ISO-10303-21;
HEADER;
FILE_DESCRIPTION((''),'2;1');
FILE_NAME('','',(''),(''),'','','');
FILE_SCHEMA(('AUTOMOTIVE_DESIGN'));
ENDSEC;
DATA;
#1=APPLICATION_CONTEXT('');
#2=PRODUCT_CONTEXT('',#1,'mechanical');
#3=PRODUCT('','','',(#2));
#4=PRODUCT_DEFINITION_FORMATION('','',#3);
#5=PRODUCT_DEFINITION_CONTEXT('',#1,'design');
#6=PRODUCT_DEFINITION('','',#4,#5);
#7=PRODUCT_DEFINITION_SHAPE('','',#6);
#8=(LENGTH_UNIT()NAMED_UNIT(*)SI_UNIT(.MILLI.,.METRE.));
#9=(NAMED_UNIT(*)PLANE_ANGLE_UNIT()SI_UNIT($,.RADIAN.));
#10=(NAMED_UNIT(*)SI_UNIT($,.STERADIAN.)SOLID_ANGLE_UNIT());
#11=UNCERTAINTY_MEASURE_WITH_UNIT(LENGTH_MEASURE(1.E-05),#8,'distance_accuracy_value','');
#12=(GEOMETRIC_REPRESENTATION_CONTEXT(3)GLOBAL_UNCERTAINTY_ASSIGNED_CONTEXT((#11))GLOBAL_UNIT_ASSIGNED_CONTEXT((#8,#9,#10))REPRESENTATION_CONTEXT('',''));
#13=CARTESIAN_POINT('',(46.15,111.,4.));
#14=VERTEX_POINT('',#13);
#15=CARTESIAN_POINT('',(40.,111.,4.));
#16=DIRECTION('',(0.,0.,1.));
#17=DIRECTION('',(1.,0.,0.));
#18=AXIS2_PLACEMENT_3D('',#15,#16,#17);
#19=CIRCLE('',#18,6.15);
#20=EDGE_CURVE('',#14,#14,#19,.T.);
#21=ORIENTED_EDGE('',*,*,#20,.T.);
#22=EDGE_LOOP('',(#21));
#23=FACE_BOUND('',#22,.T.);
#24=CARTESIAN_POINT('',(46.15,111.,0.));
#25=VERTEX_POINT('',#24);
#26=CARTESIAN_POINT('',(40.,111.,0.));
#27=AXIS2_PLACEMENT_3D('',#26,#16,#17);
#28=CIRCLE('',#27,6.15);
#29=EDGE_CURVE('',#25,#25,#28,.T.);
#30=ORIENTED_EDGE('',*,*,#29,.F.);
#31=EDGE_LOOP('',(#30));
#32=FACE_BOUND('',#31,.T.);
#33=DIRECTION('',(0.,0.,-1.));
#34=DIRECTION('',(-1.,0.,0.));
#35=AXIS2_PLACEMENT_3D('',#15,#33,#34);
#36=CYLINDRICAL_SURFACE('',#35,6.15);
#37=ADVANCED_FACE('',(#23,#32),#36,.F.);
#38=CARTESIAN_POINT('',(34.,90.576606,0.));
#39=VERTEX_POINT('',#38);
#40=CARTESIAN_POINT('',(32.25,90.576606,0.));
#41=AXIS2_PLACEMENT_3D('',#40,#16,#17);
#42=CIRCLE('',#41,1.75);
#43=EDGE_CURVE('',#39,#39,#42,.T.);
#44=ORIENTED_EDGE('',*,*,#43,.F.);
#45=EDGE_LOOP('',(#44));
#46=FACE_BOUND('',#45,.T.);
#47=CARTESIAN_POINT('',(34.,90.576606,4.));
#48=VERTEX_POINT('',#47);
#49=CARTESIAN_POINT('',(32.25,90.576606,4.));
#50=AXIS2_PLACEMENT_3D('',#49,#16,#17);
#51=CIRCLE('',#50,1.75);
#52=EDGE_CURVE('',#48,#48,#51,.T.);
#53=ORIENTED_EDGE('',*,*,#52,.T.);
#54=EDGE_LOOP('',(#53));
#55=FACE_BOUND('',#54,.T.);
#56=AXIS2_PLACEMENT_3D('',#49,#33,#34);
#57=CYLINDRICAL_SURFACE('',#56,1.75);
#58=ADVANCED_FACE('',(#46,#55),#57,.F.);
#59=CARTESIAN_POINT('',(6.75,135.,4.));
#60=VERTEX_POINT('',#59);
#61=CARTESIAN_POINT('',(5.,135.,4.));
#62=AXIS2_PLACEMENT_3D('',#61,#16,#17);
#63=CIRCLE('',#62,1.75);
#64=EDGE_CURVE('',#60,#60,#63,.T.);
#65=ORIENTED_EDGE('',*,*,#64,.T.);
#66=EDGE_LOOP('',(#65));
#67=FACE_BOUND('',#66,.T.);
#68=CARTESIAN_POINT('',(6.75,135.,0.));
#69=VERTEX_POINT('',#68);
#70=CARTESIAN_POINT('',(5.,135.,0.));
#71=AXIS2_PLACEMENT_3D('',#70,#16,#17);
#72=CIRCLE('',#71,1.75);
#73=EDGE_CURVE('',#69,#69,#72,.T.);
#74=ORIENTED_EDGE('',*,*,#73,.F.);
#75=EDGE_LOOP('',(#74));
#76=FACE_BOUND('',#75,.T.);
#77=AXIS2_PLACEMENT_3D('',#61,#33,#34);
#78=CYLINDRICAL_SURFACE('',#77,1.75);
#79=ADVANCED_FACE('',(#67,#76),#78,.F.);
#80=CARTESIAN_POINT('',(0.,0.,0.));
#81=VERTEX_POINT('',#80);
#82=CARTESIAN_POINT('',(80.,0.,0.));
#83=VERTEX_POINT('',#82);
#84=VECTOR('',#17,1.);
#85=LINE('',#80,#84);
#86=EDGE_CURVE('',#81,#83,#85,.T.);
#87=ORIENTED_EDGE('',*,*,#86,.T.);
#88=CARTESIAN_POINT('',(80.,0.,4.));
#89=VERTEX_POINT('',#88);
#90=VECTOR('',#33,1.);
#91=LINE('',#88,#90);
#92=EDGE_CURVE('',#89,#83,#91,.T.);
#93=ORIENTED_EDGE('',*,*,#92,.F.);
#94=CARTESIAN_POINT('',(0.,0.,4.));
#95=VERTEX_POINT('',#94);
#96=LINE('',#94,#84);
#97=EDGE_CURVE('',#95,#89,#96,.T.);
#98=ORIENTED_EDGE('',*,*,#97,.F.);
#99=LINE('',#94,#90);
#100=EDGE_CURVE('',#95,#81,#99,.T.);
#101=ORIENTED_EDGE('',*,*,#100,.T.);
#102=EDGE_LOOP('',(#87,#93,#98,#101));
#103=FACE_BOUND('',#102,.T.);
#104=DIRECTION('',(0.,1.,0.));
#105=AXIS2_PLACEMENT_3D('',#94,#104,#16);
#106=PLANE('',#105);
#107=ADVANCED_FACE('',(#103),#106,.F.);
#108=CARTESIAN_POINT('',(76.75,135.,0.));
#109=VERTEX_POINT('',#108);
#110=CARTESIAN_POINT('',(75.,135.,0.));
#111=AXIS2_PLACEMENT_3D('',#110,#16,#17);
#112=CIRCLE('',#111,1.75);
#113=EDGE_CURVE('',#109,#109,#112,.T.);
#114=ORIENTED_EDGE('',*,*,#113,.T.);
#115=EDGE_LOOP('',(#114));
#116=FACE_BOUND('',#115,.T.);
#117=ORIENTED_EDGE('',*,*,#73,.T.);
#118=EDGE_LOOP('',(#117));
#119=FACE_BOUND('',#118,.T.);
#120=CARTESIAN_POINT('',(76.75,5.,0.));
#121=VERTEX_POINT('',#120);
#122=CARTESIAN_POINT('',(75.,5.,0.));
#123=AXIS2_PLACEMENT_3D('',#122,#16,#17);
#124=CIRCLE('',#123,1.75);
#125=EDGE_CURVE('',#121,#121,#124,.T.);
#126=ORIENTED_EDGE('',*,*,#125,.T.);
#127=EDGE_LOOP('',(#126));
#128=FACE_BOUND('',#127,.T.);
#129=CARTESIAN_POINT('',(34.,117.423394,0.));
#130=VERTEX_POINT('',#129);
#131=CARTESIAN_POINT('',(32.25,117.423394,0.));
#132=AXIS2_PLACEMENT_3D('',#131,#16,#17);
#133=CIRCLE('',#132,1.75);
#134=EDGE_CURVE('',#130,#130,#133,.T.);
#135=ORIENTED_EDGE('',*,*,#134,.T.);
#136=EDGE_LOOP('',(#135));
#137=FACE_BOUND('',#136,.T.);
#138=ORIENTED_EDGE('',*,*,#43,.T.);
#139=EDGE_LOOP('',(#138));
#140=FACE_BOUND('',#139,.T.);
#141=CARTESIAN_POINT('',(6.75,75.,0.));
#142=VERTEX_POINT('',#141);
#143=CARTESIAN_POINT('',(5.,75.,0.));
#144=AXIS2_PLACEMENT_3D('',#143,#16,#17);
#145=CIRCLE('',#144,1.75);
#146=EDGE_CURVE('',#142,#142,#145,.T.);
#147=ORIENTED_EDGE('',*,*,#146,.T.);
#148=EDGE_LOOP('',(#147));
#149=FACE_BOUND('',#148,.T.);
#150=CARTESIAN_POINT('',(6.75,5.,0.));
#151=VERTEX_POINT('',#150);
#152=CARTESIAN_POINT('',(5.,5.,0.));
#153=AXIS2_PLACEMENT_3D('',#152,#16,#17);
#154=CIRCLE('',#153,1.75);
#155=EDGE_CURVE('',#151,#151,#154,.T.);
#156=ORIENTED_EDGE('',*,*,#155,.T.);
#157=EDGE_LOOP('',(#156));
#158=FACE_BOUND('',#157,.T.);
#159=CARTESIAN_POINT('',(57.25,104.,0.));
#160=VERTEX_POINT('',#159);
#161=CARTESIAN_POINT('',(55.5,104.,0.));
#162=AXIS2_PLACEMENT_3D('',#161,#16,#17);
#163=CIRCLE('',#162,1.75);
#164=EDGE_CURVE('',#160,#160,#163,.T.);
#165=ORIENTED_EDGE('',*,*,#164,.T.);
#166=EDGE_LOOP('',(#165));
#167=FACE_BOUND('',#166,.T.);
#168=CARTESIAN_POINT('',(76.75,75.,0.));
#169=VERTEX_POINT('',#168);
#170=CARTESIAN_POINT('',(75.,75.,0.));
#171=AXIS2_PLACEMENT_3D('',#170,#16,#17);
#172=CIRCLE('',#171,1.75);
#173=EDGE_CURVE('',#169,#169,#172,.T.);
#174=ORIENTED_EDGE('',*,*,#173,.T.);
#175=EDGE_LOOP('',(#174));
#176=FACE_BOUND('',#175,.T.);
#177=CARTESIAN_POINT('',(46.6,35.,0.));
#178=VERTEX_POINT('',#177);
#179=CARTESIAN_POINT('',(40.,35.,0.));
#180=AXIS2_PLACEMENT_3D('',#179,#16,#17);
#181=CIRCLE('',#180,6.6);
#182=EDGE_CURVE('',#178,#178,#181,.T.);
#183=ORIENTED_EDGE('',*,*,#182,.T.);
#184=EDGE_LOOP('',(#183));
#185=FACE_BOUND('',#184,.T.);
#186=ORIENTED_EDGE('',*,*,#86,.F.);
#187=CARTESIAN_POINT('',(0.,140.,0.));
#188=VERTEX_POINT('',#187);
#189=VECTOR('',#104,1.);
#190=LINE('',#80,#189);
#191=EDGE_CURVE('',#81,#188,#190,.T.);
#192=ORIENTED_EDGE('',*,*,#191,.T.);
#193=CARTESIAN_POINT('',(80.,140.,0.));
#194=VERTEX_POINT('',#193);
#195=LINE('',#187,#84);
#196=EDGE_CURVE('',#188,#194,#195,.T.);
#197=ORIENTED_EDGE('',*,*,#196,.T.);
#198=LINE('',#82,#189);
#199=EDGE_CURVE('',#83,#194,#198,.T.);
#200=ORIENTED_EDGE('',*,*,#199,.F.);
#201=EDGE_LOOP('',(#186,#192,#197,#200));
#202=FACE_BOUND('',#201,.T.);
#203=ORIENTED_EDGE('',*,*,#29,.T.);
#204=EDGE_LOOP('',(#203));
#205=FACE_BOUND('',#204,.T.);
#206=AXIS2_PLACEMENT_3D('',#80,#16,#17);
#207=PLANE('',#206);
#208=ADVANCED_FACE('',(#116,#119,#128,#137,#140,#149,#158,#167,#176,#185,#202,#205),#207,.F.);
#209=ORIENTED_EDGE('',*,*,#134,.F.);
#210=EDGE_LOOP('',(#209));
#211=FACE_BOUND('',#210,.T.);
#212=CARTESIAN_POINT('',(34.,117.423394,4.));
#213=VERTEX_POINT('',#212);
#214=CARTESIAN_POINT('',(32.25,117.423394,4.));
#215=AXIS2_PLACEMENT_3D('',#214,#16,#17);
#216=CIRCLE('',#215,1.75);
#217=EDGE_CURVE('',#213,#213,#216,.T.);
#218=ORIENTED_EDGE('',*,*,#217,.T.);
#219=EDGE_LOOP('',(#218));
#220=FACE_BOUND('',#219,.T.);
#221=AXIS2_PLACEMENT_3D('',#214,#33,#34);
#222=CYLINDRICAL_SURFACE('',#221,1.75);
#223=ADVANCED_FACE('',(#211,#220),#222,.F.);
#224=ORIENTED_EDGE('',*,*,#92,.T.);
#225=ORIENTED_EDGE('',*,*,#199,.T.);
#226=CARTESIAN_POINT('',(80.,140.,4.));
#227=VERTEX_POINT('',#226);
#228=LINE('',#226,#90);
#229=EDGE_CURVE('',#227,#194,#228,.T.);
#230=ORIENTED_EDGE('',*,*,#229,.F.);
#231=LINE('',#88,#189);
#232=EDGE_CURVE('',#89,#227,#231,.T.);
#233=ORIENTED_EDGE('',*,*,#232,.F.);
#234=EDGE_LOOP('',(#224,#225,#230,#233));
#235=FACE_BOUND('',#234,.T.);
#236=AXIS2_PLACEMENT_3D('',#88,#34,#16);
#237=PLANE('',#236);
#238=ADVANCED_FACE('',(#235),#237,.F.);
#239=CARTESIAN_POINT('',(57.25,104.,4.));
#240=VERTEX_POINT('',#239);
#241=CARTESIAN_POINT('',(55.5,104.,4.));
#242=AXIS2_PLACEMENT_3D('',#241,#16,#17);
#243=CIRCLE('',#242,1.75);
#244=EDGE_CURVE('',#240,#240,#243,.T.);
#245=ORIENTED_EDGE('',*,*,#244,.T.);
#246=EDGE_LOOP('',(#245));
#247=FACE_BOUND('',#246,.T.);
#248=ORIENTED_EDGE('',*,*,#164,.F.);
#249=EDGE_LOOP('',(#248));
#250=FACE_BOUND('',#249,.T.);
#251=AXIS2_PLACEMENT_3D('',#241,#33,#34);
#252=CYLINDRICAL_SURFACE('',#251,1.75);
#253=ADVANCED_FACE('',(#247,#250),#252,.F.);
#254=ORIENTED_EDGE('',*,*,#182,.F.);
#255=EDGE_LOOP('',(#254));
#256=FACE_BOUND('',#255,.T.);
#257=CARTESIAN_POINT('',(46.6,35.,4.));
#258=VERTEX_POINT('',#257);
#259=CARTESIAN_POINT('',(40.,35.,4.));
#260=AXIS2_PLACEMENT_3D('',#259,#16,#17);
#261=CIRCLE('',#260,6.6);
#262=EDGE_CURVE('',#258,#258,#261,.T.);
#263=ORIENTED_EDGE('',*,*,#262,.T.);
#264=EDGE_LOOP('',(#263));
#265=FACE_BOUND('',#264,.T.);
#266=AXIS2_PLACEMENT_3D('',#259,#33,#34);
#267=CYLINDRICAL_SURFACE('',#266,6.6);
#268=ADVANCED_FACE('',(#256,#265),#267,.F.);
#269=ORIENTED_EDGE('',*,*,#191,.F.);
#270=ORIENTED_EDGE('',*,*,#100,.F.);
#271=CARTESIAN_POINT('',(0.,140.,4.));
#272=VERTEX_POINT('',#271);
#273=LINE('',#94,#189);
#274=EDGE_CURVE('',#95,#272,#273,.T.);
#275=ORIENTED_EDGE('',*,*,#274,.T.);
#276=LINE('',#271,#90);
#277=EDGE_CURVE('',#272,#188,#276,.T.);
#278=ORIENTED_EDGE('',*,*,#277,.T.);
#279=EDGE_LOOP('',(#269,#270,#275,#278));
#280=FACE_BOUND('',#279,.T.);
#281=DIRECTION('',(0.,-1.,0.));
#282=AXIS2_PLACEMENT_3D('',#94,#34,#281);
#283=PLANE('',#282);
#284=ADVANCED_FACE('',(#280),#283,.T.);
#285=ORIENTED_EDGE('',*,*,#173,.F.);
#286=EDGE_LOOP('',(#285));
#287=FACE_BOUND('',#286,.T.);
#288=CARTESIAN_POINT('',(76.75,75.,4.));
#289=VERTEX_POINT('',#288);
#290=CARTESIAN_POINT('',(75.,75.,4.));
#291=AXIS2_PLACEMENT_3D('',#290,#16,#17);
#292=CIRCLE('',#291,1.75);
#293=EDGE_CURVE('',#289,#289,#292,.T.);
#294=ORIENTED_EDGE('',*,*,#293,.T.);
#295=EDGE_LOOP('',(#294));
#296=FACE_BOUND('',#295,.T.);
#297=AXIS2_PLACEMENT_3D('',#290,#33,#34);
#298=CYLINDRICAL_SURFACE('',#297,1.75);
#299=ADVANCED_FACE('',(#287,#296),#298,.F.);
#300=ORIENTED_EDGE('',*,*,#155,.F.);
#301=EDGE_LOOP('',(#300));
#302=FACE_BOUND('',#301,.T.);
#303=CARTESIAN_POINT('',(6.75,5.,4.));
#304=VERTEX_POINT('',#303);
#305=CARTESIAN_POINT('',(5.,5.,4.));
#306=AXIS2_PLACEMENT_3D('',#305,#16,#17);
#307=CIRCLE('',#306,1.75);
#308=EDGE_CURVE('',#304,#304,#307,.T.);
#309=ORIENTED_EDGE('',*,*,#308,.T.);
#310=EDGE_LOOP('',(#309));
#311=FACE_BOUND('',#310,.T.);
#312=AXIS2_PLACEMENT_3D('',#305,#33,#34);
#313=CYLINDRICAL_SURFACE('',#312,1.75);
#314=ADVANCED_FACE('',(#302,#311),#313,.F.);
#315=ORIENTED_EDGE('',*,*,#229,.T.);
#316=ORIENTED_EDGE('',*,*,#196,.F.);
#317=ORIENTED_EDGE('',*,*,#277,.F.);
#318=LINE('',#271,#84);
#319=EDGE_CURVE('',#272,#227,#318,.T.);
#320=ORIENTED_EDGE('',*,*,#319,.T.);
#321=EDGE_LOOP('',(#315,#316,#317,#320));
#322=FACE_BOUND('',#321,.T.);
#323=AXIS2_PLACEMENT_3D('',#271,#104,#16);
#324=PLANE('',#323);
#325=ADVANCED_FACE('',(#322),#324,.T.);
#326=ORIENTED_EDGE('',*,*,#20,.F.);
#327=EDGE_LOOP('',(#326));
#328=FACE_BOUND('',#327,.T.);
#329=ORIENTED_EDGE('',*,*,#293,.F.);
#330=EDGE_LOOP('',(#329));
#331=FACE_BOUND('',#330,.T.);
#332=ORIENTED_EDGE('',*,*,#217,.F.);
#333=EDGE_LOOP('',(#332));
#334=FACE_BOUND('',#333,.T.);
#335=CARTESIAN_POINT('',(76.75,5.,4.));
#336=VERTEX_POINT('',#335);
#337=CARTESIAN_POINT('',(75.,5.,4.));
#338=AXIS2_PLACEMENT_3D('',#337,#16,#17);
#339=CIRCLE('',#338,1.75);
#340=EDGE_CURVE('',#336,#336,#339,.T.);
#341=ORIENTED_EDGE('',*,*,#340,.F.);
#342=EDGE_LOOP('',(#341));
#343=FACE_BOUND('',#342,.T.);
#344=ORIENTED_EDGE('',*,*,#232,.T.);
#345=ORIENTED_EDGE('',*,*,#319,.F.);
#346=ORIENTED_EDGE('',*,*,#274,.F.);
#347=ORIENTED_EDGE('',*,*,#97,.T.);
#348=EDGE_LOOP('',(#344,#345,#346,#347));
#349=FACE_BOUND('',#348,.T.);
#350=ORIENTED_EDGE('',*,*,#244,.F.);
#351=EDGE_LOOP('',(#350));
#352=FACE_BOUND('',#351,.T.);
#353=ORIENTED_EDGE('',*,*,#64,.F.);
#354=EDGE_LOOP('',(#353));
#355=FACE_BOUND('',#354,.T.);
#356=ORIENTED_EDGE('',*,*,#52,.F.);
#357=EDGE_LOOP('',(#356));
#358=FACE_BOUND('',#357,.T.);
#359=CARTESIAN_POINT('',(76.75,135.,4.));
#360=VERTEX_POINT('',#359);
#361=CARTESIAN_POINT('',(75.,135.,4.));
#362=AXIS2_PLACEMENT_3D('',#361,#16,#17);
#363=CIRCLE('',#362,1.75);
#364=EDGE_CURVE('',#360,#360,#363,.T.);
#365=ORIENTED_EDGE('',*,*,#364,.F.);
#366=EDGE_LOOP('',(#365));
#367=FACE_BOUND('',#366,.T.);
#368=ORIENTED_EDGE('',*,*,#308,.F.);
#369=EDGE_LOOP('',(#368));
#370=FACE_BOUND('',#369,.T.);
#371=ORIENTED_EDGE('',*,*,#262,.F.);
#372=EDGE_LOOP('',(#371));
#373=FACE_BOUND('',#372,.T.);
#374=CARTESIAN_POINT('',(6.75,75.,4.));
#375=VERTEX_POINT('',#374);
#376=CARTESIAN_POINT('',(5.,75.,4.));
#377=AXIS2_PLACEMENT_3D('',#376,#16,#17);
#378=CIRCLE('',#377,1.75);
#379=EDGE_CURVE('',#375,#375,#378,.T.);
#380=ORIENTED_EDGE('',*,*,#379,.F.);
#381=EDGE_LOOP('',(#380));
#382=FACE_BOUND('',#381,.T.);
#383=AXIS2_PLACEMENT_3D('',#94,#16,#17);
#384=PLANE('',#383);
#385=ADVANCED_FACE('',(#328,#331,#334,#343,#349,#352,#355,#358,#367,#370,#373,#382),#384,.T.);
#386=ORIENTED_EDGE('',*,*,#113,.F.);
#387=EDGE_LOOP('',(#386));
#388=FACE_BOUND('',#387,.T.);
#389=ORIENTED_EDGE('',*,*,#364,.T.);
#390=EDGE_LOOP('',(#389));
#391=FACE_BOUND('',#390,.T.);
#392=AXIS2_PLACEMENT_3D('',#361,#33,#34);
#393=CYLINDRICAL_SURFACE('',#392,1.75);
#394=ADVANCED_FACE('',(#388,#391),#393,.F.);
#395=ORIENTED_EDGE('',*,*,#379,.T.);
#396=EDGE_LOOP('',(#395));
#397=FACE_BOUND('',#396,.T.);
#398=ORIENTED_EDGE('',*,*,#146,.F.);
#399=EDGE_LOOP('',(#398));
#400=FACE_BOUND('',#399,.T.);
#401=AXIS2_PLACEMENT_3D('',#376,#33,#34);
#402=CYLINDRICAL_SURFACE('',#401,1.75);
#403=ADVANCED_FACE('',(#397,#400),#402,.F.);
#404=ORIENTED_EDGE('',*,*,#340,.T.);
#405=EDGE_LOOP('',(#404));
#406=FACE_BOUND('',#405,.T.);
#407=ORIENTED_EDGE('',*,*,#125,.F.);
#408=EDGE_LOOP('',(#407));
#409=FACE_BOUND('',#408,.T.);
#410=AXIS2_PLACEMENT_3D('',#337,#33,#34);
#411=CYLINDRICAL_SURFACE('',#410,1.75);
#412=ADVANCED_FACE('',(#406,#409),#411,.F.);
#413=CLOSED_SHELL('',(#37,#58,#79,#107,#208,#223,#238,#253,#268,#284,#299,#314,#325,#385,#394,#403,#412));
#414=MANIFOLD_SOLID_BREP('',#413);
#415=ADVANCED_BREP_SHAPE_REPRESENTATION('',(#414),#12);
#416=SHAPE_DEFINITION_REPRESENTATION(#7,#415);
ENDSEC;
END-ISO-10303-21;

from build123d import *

# Parameters (mm, degrees)
SKETCH_1_R      = 1.75
EXTRUDE_1_DEPTH = 4


with BuildPart() as part:
    # ｽｹｯﾁ1 → ﾎﾞｽ - 押し出し1 (new body)
    with BuildSketch(Plane.XY):
        Polygon((0, 0), (40, 0), (80, 0), (80, 140), (0, 140), align=None)
        with Locations((5, 135)):
            Circle(SKETCH_1_R, mode=Mode.SUBTRACT)
        with Locations((5, 5)):
            Circle(SKETCH_1_R, mode=Mode.SUBTRACT)
        with BuildLine():
            ThreePointArc((40, 41.6), (46.6, 35), (40, 28.4))
            ThreePointArc((40, 28.4), (33.4, 35), (40, 41.6))
        make_face(mode=Mode.SUBTRACT)
        with Locations((75, 5)):
            Circle(SKETCH_1_R, mode=Mode.SUBTRACT)
        with Locations((5, 75)):
            Circle(SKETCH_1_R, mode=Mode.SUBTRACT)
        with Locations((32.25, 90.576606241)):
            Circle(SKETCH_1_R, mode=Mode.SUBTRACT)
        with Locations((32.25, 117.423393759)):
            Circle(SKETCH_1_R, mode=Mode.SUBTRACT)
        with Locations((75, 75)):
            Circle(SKETCH_1_R, mode=Mode.SUBTRACT)
        with BuildLine():
            ThreePointArc((34.440448115, 113.629426332), (45.326056233, 114.075), (39.497374059, 104.870573668))
            ThreePointArc((39.497374059, 104.870573668), (34.673943767, 107.925), (34.440448115, 113.629426332))
        make_face(mode=Mode.SUBTRACT)
        with Locations((55.5, 104)):
            Circle(SKETCH_1_R, mode=Mode.SUBTRACT)
        with Locations((75, 135)):
            Circle(SKETCH_1_R, mode=Mode.SUBTRACT)
    extrude(amount=EXTRUDE_1_DEPTH)


solid = part.part
